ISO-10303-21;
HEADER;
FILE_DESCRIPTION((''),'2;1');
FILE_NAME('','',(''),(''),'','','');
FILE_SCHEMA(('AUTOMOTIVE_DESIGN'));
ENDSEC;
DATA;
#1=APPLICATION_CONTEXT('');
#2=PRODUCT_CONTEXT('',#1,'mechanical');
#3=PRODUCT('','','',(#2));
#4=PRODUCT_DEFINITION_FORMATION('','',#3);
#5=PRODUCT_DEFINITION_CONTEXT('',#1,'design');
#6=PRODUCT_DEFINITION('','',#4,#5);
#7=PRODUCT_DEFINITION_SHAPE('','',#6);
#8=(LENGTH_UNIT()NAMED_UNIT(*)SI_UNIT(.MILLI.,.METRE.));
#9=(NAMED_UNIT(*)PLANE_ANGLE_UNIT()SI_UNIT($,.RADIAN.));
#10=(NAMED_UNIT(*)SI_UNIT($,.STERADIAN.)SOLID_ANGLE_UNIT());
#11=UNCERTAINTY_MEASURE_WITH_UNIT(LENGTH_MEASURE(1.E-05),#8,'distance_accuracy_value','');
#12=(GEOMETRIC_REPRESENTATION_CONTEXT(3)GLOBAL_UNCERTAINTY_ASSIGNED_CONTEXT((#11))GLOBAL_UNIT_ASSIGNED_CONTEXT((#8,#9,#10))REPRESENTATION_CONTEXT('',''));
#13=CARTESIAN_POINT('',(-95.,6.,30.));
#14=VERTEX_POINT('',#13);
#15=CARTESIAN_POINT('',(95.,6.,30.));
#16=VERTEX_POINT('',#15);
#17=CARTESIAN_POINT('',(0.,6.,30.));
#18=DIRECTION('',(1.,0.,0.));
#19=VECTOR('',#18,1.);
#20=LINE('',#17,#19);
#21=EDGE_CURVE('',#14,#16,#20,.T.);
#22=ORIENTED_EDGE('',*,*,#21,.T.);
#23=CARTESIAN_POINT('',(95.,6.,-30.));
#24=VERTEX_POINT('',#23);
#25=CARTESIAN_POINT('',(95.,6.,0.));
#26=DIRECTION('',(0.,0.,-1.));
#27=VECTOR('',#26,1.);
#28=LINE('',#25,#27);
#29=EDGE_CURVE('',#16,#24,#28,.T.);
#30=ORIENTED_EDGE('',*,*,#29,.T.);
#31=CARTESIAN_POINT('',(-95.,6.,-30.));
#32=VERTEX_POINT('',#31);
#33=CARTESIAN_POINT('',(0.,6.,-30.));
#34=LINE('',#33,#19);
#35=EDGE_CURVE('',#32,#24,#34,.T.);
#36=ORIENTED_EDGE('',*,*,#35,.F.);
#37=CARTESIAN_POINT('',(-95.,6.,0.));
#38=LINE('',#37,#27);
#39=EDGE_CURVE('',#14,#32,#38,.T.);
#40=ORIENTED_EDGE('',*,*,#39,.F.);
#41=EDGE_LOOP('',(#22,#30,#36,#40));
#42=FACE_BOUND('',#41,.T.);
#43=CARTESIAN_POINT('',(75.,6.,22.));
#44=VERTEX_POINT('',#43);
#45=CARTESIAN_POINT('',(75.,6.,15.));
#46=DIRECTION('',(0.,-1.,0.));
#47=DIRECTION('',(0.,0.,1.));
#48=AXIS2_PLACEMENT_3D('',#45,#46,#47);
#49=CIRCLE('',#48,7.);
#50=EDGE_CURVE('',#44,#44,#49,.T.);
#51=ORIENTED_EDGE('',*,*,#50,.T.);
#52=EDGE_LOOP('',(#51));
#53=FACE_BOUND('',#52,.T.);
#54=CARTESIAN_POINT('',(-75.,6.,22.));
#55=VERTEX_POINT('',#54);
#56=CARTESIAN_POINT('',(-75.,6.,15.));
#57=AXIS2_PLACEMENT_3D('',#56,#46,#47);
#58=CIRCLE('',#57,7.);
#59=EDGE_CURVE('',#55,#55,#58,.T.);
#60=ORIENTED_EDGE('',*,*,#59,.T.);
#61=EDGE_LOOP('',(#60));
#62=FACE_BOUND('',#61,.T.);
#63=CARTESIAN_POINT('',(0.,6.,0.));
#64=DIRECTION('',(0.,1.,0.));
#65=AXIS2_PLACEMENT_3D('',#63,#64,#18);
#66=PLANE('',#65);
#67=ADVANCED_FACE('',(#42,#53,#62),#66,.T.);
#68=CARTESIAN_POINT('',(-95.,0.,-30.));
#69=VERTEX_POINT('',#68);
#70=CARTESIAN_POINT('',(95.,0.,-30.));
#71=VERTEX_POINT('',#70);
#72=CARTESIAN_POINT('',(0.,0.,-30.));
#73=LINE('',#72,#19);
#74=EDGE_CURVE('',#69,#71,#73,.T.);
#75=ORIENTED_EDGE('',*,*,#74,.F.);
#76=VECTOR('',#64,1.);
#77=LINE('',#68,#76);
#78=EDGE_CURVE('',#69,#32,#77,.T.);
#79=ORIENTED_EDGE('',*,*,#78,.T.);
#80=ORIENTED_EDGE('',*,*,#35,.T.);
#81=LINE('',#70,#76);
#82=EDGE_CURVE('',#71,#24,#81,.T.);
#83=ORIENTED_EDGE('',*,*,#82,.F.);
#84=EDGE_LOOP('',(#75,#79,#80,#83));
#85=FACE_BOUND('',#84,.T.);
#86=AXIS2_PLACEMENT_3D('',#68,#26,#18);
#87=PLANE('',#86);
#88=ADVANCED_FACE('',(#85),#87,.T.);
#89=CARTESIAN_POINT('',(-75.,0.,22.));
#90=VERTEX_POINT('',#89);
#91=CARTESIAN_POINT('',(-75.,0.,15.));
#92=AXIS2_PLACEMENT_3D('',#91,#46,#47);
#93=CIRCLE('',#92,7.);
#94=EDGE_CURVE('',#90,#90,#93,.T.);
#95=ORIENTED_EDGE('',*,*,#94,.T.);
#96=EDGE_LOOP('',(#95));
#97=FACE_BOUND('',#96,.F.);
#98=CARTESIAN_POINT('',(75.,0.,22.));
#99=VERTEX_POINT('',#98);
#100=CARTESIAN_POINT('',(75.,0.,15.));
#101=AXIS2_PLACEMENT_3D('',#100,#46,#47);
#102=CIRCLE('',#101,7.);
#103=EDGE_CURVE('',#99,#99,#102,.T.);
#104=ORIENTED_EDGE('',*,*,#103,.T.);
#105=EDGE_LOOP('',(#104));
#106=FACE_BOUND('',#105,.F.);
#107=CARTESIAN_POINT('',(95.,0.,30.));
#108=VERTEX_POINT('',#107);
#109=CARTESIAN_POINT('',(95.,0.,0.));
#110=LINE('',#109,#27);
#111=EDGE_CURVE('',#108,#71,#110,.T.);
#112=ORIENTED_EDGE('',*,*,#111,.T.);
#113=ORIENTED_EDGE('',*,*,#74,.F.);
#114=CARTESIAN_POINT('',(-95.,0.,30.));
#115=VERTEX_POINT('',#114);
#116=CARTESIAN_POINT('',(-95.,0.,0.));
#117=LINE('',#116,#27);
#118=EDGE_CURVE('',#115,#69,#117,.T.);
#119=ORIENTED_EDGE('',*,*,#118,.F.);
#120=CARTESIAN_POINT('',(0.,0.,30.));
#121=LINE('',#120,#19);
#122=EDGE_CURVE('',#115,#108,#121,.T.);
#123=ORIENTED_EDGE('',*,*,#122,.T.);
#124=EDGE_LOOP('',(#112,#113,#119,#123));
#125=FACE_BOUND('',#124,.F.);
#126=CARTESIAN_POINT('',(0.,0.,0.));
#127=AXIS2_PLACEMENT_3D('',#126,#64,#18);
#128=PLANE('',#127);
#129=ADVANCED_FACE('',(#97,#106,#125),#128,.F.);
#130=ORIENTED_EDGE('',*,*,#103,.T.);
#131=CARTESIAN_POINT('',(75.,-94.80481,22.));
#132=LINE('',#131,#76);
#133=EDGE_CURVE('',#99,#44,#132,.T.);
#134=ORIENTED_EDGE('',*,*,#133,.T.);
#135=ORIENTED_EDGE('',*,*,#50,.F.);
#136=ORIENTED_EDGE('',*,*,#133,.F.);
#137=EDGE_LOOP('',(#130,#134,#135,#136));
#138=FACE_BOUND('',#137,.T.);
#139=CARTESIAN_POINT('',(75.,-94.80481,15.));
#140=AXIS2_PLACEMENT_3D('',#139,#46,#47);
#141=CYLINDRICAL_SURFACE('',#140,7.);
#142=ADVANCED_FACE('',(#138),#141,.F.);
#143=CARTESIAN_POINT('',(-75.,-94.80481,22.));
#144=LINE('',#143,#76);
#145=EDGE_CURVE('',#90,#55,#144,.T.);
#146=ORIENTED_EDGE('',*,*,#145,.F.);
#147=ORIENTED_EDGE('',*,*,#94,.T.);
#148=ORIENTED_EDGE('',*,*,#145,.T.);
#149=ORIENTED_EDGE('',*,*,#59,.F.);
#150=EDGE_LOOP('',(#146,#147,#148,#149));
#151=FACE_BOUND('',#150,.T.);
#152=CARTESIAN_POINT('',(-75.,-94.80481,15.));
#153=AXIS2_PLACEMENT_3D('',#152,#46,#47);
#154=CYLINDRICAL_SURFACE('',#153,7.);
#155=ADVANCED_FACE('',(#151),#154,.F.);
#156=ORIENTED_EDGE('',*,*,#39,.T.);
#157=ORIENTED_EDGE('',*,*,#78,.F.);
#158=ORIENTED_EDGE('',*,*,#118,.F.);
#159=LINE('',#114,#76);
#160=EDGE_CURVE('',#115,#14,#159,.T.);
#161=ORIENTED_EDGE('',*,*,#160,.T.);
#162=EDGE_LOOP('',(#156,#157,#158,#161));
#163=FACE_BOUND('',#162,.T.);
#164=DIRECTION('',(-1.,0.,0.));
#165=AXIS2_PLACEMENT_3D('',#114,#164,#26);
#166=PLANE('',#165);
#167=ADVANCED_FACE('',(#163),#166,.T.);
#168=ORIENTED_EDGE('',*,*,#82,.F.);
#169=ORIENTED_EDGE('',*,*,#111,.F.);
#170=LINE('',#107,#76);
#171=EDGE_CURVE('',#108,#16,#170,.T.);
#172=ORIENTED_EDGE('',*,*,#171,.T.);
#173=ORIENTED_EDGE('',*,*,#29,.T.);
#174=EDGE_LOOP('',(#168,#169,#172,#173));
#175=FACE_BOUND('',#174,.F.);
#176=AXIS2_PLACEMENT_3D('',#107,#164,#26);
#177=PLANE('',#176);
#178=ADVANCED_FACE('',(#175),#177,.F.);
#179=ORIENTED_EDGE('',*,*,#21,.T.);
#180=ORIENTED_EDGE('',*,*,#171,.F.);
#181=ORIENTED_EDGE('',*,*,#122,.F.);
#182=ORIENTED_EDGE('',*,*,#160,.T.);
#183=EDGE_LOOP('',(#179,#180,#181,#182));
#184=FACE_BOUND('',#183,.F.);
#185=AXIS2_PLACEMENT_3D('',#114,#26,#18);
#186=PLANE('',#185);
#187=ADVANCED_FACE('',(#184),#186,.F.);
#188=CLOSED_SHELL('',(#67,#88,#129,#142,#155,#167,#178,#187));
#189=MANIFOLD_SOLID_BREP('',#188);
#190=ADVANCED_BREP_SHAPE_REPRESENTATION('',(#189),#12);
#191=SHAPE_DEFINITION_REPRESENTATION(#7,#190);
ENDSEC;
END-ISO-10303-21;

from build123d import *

# Parameters (mm, degrees)
SKETCH1_W               = 190
SKETCH1_H               = 60
BOSS_EXTRUDE1_DEPTH     = 6
CUT_EXTRUDE1_DEPTH      = 100.804809503
CUT_EXTRUDE1_DEPTH_BACK = 100.804809503
SKETCH2_R               = 7


with BuildPart() as part:
    # Sketch1 → Boss-Extrude1 (new body)
    with BuildSketch(Plane(origin=(0, 0, 0), x_dir=(1, 0, 0), z_dir=(0, 1, 0))):
        Rectangle(SKETCH1_W, SKETCH1_H)
    extrude(amount=BOSS_EXTRUDE1_DEPTH)

    # Sketch2 → Cut-Extrude1 (cut, two sides: drawn at the far end of the back side and taken through both)
    with BuildSketch(Plane(origin=(0, 6, 0), x_dir=(1, 0, 0), z_dir=(0, 1, 0)).offset(-CUT_EXTRUDE1_DEPTH_BACK)):
        with Locations(Location((75, -15, 0), (0, 0, 270))):
            Circle(SKETCH2_R)
        with Locations(Location((-75, -15, 0), (0, 0, 270))):
            Circle(SKETCH2_R)
    extrude(amount=CUT_EXTRUDE1_DEPTH + CUT_EXTRUDE1_DEPTH_BACK, mode=Mode.SUBTRACT)


solid = part.part
